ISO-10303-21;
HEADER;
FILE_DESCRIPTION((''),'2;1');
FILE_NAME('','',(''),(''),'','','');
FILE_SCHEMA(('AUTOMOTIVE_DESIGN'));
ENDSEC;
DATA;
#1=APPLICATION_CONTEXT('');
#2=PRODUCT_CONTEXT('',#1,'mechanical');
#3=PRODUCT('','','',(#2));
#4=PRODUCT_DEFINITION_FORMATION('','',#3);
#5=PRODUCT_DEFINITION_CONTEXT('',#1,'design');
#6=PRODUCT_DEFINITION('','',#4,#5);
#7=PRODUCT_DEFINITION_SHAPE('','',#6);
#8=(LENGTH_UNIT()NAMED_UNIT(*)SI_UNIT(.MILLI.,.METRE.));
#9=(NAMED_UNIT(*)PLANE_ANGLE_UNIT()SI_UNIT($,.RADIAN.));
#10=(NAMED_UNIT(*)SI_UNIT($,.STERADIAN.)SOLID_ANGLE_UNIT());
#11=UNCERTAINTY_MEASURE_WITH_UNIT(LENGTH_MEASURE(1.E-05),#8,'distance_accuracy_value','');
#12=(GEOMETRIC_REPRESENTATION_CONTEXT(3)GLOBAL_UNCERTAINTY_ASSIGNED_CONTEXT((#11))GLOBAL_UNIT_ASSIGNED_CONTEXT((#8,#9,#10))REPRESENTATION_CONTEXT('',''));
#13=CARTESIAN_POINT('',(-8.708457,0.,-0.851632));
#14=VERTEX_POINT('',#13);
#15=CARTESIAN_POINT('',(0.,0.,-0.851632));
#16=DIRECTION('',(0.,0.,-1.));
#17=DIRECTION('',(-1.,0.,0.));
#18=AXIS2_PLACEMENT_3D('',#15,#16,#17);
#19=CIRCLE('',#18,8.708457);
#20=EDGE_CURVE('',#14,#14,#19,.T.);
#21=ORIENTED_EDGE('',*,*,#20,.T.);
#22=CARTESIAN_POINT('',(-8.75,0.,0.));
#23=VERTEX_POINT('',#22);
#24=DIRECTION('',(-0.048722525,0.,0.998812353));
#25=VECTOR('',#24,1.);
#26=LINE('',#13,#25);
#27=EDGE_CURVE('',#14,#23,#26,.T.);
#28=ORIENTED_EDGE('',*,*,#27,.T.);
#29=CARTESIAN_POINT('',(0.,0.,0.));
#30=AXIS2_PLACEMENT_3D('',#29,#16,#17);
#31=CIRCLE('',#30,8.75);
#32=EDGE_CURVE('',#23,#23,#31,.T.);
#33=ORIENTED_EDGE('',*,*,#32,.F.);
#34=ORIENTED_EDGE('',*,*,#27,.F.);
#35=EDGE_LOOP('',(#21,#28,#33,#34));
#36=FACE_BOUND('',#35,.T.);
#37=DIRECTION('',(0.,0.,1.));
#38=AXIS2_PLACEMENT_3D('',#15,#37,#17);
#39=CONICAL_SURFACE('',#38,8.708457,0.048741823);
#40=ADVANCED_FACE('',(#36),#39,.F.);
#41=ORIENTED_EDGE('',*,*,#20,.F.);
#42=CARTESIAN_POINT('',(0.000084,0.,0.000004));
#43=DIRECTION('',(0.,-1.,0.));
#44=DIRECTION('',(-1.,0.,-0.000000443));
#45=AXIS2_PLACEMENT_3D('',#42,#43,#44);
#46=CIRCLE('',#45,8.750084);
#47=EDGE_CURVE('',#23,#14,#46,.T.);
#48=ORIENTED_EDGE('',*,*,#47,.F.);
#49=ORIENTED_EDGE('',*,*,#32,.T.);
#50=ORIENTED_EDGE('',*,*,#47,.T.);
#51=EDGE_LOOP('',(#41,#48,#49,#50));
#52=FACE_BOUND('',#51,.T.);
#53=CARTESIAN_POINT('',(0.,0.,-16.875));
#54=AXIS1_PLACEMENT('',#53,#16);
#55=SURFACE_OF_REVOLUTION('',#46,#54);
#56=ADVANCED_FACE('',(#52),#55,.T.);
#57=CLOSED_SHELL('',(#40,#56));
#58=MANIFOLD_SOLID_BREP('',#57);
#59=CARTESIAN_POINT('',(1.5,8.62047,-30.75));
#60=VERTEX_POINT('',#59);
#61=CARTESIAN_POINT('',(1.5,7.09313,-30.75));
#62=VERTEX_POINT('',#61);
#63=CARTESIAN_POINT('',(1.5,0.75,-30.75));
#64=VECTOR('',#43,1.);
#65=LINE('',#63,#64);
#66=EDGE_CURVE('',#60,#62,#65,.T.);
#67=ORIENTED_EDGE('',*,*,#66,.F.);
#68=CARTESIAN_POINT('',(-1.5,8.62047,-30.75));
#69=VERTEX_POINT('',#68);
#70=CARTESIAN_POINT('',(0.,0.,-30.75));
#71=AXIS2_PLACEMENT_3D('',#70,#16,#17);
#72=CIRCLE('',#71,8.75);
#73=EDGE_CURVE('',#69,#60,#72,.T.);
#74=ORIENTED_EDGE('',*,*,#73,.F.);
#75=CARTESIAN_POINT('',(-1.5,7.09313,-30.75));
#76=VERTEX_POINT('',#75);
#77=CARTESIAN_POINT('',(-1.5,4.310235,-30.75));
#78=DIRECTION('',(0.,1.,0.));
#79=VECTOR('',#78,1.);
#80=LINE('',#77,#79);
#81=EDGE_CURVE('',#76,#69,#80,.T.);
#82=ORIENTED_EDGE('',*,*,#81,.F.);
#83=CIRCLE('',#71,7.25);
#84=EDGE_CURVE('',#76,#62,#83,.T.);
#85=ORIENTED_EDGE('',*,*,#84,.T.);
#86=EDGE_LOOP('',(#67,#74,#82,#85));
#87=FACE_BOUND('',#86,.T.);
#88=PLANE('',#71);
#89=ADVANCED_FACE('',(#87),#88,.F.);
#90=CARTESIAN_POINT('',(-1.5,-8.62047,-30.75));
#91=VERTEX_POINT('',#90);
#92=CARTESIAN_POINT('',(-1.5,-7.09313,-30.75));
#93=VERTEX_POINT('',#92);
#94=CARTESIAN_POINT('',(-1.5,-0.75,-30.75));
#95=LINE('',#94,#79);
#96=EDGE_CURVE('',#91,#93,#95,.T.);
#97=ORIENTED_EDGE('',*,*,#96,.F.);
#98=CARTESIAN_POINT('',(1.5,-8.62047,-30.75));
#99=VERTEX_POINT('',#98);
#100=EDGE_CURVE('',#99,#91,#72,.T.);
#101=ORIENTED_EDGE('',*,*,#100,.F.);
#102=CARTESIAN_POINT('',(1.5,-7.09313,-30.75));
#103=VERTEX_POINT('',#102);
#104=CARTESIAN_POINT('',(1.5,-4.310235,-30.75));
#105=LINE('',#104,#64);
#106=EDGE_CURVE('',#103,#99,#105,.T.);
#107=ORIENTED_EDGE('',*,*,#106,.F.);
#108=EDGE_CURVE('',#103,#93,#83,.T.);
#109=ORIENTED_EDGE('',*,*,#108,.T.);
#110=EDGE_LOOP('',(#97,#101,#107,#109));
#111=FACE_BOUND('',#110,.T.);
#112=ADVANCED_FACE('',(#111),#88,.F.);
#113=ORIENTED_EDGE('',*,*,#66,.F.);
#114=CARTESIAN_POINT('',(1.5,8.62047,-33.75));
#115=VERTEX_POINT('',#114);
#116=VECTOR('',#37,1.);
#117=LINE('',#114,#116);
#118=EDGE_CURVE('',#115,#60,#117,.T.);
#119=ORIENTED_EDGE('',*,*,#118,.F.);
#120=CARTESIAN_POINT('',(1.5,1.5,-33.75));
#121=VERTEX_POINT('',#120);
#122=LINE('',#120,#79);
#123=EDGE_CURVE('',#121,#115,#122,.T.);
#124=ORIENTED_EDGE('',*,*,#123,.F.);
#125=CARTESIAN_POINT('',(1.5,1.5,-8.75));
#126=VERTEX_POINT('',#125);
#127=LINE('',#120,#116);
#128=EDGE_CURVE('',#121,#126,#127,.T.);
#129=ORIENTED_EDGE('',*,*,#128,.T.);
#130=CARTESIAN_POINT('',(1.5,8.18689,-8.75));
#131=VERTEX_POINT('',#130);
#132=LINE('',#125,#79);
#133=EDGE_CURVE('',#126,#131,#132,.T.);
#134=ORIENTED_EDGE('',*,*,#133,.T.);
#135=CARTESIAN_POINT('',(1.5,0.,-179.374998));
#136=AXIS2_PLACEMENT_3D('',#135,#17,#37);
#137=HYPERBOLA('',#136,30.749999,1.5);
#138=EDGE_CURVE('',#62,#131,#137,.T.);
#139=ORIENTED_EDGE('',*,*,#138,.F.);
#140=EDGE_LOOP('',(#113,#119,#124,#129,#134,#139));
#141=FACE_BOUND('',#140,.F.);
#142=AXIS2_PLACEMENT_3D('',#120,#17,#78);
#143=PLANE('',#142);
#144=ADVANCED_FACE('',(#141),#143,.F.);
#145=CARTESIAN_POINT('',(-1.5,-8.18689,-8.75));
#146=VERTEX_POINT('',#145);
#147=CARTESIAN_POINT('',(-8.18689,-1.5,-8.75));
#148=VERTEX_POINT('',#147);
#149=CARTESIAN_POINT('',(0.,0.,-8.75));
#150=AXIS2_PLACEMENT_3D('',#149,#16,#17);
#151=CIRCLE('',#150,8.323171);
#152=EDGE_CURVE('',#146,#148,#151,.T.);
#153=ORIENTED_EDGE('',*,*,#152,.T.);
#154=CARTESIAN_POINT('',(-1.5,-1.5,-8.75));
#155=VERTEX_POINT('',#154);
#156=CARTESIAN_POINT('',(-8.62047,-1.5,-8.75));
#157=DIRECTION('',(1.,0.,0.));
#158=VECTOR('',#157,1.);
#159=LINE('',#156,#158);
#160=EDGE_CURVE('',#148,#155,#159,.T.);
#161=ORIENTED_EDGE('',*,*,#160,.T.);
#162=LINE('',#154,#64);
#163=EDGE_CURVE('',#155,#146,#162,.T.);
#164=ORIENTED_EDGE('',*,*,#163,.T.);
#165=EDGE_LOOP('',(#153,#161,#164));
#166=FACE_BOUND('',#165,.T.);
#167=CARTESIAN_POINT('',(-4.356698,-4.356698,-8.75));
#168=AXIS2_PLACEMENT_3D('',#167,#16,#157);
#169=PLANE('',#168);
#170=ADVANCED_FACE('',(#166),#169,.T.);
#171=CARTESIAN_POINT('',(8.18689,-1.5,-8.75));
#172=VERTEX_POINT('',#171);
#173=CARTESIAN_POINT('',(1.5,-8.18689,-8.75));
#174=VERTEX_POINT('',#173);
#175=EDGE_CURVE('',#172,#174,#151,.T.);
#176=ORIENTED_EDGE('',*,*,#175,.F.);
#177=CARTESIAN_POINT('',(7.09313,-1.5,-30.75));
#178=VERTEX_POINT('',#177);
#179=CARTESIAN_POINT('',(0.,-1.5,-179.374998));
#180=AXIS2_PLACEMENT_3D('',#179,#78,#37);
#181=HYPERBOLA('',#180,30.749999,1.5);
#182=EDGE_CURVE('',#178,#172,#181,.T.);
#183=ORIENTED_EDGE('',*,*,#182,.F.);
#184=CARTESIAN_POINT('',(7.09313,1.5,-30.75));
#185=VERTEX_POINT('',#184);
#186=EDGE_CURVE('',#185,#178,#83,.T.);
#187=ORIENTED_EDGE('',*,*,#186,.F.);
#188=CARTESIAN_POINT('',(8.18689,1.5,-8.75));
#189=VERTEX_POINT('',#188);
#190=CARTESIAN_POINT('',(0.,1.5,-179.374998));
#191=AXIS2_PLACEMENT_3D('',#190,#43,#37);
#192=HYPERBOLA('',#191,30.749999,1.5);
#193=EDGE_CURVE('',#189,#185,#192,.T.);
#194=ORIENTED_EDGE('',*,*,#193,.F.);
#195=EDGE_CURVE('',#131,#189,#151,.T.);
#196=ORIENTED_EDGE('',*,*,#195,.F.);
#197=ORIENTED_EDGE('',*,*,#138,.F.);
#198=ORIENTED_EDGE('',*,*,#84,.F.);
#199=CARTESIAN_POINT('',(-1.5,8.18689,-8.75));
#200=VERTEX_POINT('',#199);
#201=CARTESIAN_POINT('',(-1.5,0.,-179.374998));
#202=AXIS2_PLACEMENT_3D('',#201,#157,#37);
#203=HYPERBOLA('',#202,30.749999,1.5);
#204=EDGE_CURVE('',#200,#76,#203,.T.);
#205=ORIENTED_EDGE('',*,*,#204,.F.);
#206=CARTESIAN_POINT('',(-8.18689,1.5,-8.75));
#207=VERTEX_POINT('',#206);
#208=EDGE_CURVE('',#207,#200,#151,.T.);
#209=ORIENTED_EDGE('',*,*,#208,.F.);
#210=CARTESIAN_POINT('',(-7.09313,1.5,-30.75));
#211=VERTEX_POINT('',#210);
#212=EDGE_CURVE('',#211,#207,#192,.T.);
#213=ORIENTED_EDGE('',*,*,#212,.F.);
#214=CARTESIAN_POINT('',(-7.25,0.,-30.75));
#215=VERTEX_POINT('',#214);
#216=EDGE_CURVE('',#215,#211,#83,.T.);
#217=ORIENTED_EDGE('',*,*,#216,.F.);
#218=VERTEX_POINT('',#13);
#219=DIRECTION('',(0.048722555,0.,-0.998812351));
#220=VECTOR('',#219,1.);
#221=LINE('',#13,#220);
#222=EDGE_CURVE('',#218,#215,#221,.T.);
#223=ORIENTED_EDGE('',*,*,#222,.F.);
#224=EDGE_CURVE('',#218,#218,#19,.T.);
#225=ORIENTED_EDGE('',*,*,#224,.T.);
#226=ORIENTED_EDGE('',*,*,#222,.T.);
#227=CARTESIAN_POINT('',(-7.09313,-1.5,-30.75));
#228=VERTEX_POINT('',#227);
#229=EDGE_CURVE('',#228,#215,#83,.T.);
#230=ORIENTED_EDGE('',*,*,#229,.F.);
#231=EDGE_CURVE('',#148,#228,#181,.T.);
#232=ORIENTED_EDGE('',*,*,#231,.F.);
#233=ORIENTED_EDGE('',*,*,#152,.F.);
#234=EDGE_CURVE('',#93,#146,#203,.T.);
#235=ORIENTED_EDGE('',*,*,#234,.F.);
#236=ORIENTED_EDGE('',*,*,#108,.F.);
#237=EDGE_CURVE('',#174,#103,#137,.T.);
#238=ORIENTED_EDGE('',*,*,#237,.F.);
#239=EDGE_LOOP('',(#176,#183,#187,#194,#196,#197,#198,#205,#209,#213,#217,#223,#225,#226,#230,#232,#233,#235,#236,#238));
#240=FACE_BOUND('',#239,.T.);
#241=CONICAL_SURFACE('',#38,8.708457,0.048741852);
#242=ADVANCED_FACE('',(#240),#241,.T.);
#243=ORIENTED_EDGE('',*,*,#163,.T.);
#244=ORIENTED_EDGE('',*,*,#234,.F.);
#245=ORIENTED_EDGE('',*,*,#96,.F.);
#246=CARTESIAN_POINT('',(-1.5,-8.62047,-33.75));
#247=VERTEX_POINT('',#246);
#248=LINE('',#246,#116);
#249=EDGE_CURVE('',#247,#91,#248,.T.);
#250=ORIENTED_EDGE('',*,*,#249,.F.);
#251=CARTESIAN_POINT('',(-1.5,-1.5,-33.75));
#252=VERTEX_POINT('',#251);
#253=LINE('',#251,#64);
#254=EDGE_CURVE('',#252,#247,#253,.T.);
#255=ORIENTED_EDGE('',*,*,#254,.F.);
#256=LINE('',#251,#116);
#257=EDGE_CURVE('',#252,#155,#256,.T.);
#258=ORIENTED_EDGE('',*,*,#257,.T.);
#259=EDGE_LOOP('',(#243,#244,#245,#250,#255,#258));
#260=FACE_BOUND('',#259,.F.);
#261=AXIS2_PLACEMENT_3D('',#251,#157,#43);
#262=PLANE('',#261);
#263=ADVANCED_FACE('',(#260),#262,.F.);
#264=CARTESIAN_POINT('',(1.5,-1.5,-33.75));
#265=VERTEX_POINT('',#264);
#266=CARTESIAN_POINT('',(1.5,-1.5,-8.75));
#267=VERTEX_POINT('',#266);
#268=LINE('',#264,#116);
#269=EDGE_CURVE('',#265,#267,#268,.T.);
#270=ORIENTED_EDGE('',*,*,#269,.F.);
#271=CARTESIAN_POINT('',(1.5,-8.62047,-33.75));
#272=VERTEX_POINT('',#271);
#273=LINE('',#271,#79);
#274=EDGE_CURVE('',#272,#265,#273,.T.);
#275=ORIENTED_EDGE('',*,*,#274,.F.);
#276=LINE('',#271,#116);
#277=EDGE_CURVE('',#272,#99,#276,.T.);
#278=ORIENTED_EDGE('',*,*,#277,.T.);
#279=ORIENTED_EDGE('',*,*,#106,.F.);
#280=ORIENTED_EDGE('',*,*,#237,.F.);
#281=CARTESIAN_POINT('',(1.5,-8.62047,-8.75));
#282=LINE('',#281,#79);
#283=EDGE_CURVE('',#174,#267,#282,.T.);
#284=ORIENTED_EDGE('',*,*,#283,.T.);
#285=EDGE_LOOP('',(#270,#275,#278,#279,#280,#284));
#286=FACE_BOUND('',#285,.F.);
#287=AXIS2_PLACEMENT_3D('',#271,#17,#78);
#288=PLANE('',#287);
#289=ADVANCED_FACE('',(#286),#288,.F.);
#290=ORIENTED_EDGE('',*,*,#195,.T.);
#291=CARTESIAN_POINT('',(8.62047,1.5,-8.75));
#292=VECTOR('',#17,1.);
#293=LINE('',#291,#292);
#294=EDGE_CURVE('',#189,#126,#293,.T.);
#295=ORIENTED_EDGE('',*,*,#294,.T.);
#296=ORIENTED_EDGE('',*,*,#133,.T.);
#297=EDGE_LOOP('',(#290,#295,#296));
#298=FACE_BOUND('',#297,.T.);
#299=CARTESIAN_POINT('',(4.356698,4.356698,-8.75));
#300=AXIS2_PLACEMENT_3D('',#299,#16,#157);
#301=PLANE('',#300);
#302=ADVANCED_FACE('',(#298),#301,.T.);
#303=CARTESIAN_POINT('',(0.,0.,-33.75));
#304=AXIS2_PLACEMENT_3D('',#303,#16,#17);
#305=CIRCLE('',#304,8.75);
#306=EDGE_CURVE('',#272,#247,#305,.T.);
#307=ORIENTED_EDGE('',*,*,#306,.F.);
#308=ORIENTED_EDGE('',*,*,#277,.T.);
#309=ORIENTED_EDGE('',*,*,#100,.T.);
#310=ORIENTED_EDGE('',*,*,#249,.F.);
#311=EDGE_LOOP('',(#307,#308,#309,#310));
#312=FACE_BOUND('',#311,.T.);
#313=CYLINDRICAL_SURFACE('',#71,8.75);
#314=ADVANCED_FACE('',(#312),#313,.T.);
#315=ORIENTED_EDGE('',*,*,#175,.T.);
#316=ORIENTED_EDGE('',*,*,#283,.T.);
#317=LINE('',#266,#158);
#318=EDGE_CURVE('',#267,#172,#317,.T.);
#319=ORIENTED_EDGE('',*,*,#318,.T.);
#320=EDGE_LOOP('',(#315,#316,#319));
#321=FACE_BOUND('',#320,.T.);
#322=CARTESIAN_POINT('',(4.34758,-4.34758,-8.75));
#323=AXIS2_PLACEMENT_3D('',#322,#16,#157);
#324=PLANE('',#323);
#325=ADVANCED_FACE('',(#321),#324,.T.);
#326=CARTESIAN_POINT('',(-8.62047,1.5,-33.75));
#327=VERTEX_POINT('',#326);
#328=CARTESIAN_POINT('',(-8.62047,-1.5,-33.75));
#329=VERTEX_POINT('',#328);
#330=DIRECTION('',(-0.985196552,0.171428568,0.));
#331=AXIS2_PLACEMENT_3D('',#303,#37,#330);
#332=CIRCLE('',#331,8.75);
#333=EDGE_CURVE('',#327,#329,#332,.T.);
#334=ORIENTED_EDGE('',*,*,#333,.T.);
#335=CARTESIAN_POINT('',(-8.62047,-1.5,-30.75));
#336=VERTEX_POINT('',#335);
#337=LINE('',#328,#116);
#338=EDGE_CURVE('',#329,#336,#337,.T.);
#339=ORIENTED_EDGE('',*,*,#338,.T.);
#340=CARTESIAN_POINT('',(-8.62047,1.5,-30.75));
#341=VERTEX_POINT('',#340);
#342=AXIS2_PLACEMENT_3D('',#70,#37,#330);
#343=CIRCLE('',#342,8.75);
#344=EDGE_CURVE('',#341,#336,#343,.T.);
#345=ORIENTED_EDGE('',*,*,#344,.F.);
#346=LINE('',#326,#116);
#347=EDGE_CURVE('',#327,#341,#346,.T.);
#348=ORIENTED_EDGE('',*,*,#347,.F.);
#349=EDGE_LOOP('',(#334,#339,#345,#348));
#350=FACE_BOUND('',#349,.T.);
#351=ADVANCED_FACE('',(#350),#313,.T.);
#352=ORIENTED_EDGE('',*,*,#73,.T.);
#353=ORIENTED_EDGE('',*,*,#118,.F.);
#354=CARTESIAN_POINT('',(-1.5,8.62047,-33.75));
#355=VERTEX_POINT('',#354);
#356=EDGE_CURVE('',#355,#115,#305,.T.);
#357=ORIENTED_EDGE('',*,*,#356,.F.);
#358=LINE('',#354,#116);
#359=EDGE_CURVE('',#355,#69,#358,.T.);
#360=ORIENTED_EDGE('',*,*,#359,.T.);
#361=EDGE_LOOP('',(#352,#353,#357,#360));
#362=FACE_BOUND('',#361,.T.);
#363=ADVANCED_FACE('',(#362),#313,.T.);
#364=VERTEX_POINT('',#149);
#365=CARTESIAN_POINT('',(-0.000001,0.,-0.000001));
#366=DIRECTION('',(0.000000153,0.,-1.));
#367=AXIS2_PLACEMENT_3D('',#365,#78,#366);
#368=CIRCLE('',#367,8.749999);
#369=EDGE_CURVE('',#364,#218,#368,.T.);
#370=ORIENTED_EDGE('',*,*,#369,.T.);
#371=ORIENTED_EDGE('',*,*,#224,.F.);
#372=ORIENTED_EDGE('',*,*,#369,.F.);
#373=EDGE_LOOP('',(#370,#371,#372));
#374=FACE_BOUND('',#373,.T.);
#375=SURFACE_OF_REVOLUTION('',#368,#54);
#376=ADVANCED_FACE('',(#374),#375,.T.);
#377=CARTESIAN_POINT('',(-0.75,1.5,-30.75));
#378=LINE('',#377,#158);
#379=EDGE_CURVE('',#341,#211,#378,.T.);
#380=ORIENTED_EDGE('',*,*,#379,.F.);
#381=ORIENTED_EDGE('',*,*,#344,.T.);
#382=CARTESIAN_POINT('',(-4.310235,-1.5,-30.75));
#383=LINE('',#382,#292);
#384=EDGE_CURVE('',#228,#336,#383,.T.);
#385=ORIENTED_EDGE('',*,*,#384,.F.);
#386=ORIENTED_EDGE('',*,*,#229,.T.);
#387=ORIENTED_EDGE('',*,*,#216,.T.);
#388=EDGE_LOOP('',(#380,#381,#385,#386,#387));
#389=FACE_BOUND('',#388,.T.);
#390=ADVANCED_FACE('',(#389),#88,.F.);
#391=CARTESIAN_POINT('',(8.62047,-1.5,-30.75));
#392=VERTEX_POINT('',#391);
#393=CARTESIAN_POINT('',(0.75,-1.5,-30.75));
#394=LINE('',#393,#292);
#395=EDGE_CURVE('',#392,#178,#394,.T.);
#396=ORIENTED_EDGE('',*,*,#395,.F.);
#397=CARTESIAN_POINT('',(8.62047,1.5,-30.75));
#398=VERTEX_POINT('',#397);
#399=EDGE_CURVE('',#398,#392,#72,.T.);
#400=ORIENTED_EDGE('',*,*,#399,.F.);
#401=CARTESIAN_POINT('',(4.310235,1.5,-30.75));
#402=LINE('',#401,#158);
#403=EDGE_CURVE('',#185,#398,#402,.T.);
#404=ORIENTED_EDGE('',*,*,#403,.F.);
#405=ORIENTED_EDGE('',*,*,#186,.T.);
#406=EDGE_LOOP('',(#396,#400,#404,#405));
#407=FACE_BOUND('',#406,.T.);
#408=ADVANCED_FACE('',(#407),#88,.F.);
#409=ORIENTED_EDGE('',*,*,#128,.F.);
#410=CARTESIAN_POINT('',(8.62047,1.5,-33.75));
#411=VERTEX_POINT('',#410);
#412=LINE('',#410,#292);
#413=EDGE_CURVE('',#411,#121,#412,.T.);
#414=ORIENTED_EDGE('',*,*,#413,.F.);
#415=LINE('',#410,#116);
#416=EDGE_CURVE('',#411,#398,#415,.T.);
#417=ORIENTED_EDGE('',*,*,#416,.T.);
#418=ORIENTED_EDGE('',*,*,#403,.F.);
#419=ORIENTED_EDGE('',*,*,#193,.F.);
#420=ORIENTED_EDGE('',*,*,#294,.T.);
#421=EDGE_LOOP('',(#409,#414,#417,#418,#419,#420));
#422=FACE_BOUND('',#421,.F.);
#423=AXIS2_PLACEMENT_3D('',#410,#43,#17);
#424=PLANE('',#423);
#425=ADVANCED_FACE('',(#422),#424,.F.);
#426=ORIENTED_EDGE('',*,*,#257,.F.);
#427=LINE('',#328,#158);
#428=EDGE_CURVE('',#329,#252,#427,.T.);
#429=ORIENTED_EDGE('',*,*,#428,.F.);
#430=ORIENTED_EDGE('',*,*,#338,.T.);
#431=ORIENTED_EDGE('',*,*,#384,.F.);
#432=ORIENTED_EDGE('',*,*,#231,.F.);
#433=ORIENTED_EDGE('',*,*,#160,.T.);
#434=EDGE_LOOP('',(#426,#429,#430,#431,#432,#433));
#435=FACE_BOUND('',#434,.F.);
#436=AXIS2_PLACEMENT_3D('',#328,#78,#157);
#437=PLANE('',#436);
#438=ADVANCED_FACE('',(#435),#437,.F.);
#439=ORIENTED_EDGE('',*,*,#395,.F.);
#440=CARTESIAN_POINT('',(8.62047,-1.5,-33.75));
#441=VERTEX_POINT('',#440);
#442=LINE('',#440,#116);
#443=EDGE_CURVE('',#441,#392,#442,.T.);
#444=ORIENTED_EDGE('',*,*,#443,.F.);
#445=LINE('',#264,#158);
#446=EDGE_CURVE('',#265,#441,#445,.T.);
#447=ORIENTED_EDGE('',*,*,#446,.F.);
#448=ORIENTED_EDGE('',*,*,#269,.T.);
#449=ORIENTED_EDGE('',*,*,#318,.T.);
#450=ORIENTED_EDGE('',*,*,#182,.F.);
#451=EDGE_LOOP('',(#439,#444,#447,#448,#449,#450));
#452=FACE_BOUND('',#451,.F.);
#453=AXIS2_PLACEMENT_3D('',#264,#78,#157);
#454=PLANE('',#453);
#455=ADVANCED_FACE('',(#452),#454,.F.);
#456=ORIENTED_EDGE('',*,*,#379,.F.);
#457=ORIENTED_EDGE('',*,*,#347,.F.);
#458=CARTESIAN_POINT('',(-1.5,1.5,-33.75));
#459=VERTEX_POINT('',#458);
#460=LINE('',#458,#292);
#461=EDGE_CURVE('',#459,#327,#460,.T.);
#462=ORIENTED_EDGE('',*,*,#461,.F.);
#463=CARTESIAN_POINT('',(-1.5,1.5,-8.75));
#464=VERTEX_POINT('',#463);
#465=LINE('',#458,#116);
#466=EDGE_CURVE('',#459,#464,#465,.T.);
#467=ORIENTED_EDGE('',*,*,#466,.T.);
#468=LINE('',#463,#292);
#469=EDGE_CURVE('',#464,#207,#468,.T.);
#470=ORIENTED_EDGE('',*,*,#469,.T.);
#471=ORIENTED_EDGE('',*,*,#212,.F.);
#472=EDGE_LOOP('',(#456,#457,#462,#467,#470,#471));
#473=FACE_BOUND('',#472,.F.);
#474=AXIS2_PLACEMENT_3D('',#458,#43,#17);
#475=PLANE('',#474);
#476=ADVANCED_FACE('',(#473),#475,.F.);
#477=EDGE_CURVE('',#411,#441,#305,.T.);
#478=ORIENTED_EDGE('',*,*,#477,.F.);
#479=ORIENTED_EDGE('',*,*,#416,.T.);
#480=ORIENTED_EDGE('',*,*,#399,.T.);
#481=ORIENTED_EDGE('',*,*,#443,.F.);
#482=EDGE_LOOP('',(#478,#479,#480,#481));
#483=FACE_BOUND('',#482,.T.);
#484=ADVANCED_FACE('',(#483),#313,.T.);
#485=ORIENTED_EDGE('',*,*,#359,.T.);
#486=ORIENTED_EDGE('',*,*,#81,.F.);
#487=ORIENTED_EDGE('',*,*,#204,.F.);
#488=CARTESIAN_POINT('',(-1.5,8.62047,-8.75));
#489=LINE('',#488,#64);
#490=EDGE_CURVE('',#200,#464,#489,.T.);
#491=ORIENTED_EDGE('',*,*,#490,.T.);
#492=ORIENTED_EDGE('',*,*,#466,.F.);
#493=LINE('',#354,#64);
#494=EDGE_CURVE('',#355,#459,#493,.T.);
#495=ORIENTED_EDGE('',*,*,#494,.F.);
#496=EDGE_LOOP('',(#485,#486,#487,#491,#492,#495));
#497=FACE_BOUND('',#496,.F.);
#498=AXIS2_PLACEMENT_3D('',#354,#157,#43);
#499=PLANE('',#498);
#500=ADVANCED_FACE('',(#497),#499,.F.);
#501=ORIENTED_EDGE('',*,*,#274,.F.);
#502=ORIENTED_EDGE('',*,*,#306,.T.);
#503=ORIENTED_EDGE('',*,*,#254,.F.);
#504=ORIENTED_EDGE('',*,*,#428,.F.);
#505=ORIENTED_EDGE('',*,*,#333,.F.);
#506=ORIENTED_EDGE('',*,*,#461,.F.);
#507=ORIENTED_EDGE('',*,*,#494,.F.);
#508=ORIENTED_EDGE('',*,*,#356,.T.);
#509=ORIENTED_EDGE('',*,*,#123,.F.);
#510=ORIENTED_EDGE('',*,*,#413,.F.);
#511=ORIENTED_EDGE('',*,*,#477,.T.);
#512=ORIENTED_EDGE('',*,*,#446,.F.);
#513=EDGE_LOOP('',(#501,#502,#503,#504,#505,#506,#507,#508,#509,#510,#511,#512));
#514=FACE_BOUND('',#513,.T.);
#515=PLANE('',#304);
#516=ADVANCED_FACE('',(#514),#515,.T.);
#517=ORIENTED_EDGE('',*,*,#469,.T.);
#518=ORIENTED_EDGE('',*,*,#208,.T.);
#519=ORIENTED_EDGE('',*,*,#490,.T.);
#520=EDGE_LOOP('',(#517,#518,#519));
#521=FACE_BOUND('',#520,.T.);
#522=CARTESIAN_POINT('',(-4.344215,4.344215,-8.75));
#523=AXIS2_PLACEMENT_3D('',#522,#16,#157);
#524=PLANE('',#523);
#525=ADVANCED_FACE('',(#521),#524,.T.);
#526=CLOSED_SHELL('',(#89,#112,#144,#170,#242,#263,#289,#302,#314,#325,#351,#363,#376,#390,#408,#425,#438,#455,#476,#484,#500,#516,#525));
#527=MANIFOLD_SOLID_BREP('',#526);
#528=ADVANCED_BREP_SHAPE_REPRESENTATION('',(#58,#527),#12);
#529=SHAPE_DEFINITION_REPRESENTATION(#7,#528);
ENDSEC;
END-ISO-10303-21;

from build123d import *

# Parameters (mm, degrees)
F3_DEPTH = 25


with BuildPart() as f1:
    # F0 (on Front) → F1 (revolve)
    with BuildSketch(Plane.XZ):
        with BuildLine():
            Line((-8.708457, -0.851632), (-8.75, 0))
            ThreePointArc((-8.75, 0), (-8.739608, -0.426322), (-8.708457, -0.851632))
        make_face()
        with BuildLine():
            ThreePointArc((0, -8.75), (-5.878381, -6.481292), (-8.708457, -0.851632))
            Line((-8.708457, -0.851632), (-7.25, -30.75))
            Line((-7.25, -30.75), (0, -30.75))
            Line((0, -30.75), (0, -8.75))
        make_face()
        Polygon((0, -30.75), (-7.25, -30.75), (-8.75, -30.75), (-8.75, -33.75), (0, -33.75), align=None)
    revolve(axis=Axis((0, 0, -16.875), (0, 0, -1)))

    # F2 (on face) → F3 (cut)
    with BuildSketch(Plane(origin=(0, 0, -33.75), x_dir=(1, 0, 0), z_dir=(0, 0, -1))):
        with BuildLine():
            ThreePointArc((-1.5, 8.62047), (-6.283299, 6.283299), (-8.62047, 1.5))
            Line((-8.62047, 1.5), (-1.5, 1.5))
            Line((-1.5, 1.5), (-1.5, 8.62047))
        make_face()
        with BuildLine():
            Line((1.5, 1.5), (8.62047, 1.5))
            ThreePointArc((8.62047, 1.5), (6.25421, 6.25421), (1.5, 8.62047))
            Line((1.5, 8.62047), (1.5, 1.5))
        make_face()
        with BuildLine():
            ThreePointArc((1.5, -8.62047), (6.283299, -6.283299), (8.62047, -1.5))
            Line((8.62047, -1.5), (1.5, -1.5))
            Line((1.5, -1.5), (1.5, -8.62047))
        make_face()
        with BuildLine():
            Line((-1.5, -1.5), (-8.62047, -1.5))
            ThreePointArc((-8.62047, -1.5), (-6.243431, -6.243431), (-1.5, -8.62047))
            Line((-1.5, -8.62047), (-1.5, -1.5))
        make_face()
    extrude(amount=-F3_DEPTH, mode=Mode.SUBTRACT)


solid = f1.part
